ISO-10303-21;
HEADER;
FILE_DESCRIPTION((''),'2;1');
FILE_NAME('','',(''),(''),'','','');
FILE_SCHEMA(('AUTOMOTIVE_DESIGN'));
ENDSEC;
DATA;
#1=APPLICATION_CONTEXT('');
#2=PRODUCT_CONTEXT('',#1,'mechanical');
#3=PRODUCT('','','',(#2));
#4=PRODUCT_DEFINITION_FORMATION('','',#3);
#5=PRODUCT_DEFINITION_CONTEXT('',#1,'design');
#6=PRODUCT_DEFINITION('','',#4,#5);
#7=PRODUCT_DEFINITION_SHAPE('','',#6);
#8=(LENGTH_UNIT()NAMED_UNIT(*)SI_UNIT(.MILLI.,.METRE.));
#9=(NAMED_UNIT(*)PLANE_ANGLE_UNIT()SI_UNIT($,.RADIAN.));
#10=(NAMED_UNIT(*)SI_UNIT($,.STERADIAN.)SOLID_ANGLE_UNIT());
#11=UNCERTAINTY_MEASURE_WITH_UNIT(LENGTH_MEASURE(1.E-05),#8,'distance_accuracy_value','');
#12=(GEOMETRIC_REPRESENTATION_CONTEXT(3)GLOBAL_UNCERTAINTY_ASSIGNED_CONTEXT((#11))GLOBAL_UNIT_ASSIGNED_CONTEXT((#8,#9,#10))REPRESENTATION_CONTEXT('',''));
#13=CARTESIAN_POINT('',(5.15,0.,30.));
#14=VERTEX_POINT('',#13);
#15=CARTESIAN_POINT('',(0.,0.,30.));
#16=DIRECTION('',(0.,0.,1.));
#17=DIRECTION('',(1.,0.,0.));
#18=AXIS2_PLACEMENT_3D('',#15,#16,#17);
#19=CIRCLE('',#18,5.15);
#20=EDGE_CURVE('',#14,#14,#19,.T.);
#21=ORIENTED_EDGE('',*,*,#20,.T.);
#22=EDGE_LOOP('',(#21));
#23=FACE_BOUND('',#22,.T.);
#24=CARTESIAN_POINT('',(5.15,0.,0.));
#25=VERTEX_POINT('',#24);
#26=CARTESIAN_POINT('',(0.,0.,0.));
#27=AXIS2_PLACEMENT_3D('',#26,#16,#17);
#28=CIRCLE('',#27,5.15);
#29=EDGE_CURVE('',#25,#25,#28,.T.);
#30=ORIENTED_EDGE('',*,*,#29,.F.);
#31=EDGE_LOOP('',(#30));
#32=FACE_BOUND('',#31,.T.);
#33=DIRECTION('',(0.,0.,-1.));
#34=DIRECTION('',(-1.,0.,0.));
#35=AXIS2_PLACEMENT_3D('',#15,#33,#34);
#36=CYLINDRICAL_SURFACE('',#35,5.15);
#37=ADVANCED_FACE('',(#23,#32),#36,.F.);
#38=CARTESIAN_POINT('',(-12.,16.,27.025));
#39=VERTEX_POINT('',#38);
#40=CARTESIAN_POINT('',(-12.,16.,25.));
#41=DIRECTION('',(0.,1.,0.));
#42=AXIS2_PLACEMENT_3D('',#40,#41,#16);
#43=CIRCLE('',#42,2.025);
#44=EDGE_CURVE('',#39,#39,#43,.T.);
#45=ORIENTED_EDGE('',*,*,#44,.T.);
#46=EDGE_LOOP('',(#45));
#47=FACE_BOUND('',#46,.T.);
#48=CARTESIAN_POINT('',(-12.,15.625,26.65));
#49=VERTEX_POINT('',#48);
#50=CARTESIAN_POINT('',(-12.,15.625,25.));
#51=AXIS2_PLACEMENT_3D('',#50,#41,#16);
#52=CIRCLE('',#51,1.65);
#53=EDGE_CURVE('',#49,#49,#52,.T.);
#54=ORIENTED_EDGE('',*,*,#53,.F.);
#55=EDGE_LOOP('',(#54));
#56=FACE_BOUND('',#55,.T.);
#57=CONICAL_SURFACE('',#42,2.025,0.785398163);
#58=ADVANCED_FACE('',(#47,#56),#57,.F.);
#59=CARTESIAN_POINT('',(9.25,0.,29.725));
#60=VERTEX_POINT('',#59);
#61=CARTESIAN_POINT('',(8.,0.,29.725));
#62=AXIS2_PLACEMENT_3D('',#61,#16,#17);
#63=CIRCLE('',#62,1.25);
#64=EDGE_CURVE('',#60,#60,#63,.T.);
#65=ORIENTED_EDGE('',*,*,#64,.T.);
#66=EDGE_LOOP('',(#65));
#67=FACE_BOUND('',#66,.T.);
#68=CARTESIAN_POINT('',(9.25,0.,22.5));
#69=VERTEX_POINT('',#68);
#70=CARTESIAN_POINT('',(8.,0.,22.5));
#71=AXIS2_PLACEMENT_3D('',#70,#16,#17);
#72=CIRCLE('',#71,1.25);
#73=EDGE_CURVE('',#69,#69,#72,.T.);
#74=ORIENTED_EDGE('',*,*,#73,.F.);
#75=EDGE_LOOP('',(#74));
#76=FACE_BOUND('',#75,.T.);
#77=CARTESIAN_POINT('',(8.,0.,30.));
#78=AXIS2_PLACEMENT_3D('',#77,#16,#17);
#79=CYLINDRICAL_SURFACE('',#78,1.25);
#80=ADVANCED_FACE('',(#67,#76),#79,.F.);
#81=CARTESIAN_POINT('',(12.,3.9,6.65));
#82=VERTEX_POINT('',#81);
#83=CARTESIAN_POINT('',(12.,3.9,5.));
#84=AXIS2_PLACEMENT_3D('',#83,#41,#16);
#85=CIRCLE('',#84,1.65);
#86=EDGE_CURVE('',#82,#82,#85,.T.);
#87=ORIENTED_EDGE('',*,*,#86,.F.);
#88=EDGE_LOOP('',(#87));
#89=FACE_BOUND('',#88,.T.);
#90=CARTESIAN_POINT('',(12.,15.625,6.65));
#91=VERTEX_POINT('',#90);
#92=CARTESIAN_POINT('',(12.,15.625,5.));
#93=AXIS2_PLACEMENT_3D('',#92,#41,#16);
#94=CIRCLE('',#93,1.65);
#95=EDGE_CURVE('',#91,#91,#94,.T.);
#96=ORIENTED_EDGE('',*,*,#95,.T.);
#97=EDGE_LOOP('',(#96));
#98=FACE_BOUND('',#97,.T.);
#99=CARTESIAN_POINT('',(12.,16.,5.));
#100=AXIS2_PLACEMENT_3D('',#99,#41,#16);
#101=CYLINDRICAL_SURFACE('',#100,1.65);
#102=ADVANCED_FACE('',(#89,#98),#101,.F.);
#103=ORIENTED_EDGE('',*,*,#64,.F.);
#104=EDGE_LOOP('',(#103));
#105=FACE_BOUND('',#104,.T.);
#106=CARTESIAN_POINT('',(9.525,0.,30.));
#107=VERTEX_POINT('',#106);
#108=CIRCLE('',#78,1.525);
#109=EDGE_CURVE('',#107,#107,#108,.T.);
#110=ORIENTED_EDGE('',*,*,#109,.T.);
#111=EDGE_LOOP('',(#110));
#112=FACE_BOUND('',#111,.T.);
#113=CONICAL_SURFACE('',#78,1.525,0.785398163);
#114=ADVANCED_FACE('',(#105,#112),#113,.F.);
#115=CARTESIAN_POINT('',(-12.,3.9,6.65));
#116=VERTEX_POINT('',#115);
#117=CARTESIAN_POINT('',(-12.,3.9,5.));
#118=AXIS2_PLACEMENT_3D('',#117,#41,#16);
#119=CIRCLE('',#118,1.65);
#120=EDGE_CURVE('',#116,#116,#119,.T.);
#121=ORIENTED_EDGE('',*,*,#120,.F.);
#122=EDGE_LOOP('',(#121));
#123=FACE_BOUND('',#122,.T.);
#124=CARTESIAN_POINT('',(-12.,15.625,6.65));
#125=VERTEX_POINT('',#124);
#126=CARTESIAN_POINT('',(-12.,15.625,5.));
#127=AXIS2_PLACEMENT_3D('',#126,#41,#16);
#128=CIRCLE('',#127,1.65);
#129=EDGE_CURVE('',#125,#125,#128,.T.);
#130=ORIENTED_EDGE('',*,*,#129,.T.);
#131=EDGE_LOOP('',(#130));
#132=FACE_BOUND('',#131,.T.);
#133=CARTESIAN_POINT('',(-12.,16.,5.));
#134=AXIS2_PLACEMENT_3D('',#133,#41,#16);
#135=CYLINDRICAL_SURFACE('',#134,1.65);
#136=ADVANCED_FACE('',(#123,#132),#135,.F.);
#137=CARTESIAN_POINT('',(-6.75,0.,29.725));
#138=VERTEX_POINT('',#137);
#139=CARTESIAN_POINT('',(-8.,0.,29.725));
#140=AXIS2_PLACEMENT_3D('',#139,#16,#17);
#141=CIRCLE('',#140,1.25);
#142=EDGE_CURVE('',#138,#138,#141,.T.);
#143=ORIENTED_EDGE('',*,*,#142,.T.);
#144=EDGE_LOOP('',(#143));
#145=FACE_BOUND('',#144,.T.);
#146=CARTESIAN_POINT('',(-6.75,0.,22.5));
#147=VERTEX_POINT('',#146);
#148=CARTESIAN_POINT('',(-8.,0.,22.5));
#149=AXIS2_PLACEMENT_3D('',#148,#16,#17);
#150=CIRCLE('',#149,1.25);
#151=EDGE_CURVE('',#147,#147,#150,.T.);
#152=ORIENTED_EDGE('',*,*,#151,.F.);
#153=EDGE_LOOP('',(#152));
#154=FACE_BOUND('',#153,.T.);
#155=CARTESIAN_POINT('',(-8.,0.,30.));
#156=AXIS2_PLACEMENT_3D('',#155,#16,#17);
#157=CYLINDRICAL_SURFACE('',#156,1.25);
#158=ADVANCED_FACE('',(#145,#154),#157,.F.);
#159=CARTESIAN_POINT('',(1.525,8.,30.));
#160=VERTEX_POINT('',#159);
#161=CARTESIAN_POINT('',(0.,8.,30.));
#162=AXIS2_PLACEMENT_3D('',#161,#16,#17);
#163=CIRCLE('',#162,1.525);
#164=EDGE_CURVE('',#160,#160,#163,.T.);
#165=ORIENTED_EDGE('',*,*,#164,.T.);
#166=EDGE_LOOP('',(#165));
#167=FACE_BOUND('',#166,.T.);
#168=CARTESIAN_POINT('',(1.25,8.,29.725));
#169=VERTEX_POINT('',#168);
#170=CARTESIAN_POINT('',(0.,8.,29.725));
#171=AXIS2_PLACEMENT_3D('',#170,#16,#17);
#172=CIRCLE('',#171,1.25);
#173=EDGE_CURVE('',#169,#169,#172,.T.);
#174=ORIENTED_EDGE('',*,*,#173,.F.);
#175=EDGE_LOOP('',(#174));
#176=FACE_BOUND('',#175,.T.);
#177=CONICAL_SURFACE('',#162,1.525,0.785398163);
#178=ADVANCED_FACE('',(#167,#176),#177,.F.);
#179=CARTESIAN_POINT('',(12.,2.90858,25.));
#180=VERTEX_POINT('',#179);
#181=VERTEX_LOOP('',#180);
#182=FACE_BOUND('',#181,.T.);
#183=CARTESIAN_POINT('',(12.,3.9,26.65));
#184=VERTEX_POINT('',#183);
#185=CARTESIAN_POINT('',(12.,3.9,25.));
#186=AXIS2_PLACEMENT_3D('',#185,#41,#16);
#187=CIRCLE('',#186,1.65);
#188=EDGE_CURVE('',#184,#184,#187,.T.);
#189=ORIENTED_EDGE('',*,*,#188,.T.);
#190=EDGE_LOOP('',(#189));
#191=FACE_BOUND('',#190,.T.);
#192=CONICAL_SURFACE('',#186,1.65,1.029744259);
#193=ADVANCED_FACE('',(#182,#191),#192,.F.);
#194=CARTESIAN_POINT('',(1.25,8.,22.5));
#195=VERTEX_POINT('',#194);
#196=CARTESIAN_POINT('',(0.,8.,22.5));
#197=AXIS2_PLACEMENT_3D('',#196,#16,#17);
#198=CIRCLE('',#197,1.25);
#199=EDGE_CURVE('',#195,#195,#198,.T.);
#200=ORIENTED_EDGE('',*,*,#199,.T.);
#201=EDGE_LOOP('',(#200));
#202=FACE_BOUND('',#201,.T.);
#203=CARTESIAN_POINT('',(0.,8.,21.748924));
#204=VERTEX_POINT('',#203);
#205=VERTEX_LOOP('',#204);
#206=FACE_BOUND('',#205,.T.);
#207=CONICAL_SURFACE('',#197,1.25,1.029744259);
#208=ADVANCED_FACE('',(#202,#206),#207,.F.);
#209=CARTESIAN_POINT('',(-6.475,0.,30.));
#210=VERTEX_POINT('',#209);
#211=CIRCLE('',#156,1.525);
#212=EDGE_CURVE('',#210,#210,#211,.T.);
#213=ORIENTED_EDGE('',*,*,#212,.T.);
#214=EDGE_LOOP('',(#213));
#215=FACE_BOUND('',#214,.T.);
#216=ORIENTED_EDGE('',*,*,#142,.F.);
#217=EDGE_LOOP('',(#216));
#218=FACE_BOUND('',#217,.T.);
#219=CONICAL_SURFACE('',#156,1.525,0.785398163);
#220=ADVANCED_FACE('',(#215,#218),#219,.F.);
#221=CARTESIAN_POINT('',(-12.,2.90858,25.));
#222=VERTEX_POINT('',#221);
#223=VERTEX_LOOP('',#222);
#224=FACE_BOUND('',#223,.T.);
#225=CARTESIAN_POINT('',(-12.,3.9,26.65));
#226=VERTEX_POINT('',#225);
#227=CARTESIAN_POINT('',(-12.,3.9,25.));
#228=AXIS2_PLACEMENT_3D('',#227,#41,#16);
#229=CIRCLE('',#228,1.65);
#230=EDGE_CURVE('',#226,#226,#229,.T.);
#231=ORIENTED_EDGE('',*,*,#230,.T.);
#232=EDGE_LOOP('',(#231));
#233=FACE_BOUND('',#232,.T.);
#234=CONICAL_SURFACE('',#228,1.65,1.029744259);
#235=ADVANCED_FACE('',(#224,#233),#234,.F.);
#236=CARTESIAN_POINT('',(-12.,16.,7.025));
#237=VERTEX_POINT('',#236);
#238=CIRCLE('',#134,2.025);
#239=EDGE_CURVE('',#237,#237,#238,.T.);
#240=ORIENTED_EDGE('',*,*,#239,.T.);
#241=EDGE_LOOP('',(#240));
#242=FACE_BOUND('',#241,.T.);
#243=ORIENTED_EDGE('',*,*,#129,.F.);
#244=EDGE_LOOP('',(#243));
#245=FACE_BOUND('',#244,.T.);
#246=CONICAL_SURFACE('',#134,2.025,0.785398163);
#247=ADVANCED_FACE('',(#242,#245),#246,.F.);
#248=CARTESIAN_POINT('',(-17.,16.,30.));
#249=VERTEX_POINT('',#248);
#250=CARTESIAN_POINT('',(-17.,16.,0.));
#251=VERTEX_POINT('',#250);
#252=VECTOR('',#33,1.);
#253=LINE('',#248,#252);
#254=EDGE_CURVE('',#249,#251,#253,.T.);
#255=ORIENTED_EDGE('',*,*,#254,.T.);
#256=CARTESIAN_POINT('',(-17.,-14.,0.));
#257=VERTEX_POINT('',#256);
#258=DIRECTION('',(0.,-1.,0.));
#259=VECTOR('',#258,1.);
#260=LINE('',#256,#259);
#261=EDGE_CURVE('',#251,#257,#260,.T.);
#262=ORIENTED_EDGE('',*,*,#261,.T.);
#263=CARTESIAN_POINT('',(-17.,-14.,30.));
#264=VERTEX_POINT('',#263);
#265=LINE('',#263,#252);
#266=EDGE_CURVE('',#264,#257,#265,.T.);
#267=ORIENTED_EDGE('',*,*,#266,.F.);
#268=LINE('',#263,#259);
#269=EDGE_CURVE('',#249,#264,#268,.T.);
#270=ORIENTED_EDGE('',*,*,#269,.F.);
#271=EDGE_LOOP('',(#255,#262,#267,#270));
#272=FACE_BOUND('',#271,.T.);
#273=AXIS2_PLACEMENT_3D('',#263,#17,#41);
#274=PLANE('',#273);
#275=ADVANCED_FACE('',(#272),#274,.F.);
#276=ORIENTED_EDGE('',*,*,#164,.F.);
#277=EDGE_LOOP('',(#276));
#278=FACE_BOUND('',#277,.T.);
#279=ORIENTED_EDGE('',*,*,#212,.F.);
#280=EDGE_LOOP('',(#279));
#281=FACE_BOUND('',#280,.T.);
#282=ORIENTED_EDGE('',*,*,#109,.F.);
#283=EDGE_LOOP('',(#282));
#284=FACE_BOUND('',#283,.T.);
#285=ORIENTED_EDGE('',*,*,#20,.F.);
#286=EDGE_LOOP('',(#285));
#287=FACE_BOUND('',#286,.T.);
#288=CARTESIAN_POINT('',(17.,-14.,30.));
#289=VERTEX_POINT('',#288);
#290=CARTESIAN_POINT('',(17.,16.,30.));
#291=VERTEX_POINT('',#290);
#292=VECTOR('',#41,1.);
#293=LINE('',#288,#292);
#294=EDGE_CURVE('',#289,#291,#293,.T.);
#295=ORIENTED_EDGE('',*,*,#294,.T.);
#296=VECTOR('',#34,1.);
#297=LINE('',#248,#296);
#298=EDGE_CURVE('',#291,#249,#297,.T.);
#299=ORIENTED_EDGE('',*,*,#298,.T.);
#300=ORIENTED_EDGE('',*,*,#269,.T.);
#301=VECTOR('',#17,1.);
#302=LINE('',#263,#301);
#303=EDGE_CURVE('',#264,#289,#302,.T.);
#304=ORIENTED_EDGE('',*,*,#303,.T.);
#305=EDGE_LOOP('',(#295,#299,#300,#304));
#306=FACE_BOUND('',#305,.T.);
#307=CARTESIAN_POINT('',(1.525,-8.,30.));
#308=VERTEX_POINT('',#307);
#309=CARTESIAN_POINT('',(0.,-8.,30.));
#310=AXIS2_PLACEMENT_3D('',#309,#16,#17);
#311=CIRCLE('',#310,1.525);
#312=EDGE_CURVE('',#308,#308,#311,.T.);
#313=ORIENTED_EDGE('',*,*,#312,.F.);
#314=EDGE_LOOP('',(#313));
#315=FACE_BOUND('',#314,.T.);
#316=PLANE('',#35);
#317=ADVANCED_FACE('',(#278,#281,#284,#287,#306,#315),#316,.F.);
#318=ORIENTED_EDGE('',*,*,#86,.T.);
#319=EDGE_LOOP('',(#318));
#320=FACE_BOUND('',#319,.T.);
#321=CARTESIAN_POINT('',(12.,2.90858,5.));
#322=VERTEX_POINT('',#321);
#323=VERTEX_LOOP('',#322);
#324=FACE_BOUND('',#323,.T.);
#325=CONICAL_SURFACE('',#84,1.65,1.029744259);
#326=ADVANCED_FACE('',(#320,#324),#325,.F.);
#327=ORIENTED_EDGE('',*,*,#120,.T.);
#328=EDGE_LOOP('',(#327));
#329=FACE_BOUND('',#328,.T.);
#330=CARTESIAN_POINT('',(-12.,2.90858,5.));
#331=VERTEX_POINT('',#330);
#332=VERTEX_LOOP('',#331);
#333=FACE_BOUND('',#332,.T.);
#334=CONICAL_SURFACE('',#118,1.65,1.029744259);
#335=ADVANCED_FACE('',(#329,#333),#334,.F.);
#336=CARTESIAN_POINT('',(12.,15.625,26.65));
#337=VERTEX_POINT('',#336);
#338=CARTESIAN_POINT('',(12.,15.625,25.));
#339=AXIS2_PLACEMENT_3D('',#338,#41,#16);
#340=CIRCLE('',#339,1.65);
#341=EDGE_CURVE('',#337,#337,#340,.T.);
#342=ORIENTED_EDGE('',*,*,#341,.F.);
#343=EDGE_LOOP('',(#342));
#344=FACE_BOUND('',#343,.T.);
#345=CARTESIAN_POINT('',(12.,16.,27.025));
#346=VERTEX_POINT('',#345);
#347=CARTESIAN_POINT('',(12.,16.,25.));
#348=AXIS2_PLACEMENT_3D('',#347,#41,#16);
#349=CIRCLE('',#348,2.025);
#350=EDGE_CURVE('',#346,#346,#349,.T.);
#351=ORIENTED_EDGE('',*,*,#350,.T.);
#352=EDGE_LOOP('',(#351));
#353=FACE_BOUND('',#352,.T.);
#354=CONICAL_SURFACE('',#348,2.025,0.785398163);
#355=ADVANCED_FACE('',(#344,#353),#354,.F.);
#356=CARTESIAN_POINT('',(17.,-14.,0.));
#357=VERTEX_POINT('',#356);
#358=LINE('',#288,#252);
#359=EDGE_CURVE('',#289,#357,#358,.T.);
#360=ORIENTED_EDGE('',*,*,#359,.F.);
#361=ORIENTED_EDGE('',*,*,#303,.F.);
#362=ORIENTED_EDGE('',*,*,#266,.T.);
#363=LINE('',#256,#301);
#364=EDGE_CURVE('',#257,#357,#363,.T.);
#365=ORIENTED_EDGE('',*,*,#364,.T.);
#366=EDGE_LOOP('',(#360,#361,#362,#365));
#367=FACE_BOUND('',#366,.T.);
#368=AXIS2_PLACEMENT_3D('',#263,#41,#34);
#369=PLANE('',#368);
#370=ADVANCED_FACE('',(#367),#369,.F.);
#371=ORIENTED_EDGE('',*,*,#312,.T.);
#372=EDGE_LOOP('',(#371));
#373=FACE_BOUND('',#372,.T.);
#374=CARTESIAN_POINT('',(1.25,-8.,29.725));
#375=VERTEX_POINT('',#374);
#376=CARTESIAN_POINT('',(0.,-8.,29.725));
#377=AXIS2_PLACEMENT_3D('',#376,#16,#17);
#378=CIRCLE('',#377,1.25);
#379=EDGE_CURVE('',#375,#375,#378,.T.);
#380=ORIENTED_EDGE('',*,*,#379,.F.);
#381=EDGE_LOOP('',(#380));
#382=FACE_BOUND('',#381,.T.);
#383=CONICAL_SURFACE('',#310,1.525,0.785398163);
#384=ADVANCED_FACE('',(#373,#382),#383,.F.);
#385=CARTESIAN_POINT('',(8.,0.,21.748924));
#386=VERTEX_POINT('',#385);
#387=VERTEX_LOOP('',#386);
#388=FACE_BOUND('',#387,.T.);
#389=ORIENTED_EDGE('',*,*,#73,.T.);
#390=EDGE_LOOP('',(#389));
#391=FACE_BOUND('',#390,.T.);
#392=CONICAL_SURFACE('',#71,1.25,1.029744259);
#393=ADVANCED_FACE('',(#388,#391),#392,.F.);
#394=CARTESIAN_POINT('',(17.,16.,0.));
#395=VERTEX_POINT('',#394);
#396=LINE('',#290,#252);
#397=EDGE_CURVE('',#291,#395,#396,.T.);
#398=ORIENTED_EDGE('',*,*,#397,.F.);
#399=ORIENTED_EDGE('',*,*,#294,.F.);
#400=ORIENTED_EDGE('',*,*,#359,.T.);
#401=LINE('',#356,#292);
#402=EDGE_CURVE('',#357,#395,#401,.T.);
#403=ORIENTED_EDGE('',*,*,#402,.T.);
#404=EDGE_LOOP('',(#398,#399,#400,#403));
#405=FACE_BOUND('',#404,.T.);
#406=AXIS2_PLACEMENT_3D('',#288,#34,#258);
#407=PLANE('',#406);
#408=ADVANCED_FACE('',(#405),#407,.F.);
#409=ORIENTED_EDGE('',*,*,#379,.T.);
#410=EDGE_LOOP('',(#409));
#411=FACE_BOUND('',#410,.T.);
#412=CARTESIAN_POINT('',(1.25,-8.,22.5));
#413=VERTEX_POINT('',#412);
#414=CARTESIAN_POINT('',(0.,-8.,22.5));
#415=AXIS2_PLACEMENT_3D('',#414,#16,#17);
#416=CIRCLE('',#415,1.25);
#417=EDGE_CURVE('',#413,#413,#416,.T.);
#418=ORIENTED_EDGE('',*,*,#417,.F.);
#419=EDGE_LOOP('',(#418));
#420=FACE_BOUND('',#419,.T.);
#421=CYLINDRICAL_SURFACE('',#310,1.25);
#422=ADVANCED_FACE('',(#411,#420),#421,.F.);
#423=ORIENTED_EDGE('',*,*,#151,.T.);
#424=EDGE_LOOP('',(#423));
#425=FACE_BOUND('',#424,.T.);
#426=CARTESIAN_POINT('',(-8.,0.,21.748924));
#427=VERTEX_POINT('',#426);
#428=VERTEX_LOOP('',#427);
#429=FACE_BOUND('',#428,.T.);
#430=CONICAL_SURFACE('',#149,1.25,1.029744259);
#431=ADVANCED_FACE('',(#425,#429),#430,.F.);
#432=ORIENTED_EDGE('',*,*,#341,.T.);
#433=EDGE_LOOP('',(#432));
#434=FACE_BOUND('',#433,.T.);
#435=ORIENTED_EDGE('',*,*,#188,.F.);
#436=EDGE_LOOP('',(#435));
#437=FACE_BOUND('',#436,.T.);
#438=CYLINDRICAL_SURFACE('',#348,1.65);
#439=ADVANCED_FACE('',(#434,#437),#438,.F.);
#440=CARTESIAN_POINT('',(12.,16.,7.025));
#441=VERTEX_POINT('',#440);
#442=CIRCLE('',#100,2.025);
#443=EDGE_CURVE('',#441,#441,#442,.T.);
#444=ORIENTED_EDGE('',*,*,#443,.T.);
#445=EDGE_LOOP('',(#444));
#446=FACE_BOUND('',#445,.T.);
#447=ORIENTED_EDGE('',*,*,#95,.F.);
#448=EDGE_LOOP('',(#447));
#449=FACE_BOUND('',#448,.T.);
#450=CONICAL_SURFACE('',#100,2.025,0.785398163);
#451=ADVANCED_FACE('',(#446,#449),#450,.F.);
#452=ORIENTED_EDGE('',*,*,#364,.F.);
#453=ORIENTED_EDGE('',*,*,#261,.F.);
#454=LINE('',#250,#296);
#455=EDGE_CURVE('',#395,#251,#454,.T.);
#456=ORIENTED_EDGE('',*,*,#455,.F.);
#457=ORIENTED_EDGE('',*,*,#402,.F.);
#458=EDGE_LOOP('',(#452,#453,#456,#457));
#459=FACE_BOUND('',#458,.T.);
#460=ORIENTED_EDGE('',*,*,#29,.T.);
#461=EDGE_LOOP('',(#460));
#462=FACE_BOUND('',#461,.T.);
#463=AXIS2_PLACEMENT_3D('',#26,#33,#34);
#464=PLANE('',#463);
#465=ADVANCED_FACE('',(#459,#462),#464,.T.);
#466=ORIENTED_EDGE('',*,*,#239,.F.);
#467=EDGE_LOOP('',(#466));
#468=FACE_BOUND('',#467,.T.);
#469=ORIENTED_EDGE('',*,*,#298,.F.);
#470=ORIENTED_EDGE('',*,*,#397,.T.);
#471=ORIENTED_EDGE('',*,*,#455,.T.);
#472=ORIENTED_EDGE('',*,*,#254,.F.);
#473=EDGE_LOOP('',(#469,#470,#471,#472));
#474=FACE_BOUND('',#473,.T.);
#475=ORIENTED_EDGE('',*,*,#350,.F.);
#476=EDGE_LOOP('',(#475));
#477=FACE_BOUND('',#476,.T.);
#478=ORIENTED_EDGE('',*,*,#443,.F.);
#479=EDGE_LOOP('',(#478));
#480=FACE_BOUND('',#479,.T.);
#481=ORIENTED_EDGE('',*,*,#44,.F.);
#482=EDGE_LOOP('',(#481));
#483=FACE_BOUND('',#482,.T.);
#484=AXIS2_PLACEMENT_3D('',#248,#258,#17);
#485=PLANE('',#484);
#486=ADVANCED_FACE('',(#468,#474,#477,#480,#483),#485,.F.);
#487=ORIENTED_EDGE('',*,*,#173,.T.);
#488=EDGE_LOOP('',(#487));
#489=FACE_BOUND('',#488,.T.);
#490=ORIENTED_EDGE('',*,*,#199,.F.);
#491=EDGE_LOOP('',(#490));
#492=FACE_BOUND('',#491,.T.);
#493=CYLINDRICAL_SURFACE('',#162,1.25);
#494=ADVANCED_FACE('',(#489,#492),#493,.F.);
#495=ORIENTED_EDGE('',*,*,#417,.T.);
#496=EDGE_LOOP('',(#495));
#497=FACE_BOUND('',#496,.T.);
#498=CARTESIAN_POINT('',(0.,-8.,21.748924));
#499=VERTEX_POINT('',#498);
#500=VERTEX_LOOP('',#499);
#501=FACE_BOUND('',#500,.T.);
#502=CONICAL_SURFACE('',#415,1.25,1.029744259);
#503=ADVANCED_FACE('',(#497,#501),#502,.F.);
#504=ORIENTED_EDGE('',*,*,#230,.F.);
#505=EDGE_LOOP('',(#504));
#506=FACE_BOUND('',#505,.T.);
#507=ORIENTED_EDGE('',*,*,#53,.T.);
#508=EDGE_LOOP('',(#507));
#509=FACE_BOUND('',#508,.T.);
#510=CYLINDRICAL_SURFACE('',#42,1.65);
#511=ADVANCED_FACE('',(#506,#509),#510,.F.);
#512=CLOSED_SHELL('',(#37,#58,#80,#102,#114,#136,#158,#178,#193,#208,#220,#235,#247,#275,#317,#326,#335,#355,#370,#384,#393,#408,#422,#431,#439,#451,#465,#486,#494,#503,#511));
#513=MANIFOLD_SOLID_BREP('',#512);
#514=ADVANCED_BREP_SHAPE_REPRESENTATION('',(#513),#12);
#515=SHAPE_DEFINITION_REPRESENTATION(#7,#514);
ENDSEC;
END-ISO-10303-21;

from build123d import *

# Parameters (mm, degrees)
SKETCH_1_W                   = 34
SKETCH_1_H                   = 30
SKETCH_1_R                   = 5.15
EXTRUDE_1_DEPTH              = 30
HOLE_WIZARD_M4_1_D           = 3.3
HOLE_WIZARD_M4_1_DEPTH       = 12.1
HOLE_WIZARD_M4_1_CSINK_D     = 4.05
HOLE_WIZARD_M4_1_CSINK_ANGLE = 90
HOLE_WIZARD_M4_1_TIP         = 0.991420021
HOLE_WIZARD_M3_1_D           = 2.5
HOLE_WIZARD_M3_1_DEPTH       = 7.5
HOLE_WIZARD_M3_1_CSINK_D     = 3.05
HOLE_WIZARD_M3_1_CSINK_ANGLE = 90
HOLE_WIZARD_M3_1_TIP         = 0.751075774


with BuildPart() as part:
    # 草图1 → 凸台-拉伸1 (new body)
    with BuildSketch(Plane.XY):
        with Locations((0, 1)):
            Rectangle(SKETCH_1_W, SKETCH_1_H)
        Circle(SKETCH_1_R, mode=Mode.SUBTRACT)
    extrude(amount=EXTRUDE_1_DEPTH)

    # M4 螺纹孔1
    with Locations(Plane(origin=(0, 16, 0), x_dir=(1, 0, 0), z_dir=(0, 1, 0))):
        with Locations((-12, -5), (12, -5), (-12, -25), (12, -25)):
            CounterSinkHole(HOLE_WIZARD_M4_1_D / 2, HOLE_WIZARD_M4_1_CSINK_D / 2, depth=HOLE_WIZARD_M4_1_DEPTH, counter_sink_angle=HOLE_WIZARD_M4_1_CSINK_ANGLE)
            with Locations((0, 0, -(HOLE_WIZARD_M4_1_DEPTH + HOLE_WIZARD_M4_1_TIP / 2))):  # 118° drill point
                Cone(0, HOLE_WIZARD_M4_1_D / 2, HOLE_WIZARD_M4_1_TIP, mode=Mode.SUBTRACT)

    # M3 螺纹孔1
    with Locations(Plane.XY.offset(30)):
        with Locations((0, 8), (-8, 0), (8, 0), (0, -8)):
            CounterSinkHole(HOLE_WIZARD_M3_1_D / 2, HOLE_WIZARD_M3_1_CSINK_D / 2, depth=HOLE_WIZARD_M3_1_DEPTH, counter_sink_angle=HOLE_WIZARD_M3_1_CSINK_ANGLE)
            with Locations((0, 0, -(HOLE_WIZARD_M3_1_DEPTH + HOLE_WIZARD_M3_1_TIP / 2))):  # 118° drill point
                Cone(0, HOLE_WIZARD_M3_1_D / 2, HOLE_WIZARD_M3_1_TIP, mode=Mode.SUBTRACT)


solid = part.part
